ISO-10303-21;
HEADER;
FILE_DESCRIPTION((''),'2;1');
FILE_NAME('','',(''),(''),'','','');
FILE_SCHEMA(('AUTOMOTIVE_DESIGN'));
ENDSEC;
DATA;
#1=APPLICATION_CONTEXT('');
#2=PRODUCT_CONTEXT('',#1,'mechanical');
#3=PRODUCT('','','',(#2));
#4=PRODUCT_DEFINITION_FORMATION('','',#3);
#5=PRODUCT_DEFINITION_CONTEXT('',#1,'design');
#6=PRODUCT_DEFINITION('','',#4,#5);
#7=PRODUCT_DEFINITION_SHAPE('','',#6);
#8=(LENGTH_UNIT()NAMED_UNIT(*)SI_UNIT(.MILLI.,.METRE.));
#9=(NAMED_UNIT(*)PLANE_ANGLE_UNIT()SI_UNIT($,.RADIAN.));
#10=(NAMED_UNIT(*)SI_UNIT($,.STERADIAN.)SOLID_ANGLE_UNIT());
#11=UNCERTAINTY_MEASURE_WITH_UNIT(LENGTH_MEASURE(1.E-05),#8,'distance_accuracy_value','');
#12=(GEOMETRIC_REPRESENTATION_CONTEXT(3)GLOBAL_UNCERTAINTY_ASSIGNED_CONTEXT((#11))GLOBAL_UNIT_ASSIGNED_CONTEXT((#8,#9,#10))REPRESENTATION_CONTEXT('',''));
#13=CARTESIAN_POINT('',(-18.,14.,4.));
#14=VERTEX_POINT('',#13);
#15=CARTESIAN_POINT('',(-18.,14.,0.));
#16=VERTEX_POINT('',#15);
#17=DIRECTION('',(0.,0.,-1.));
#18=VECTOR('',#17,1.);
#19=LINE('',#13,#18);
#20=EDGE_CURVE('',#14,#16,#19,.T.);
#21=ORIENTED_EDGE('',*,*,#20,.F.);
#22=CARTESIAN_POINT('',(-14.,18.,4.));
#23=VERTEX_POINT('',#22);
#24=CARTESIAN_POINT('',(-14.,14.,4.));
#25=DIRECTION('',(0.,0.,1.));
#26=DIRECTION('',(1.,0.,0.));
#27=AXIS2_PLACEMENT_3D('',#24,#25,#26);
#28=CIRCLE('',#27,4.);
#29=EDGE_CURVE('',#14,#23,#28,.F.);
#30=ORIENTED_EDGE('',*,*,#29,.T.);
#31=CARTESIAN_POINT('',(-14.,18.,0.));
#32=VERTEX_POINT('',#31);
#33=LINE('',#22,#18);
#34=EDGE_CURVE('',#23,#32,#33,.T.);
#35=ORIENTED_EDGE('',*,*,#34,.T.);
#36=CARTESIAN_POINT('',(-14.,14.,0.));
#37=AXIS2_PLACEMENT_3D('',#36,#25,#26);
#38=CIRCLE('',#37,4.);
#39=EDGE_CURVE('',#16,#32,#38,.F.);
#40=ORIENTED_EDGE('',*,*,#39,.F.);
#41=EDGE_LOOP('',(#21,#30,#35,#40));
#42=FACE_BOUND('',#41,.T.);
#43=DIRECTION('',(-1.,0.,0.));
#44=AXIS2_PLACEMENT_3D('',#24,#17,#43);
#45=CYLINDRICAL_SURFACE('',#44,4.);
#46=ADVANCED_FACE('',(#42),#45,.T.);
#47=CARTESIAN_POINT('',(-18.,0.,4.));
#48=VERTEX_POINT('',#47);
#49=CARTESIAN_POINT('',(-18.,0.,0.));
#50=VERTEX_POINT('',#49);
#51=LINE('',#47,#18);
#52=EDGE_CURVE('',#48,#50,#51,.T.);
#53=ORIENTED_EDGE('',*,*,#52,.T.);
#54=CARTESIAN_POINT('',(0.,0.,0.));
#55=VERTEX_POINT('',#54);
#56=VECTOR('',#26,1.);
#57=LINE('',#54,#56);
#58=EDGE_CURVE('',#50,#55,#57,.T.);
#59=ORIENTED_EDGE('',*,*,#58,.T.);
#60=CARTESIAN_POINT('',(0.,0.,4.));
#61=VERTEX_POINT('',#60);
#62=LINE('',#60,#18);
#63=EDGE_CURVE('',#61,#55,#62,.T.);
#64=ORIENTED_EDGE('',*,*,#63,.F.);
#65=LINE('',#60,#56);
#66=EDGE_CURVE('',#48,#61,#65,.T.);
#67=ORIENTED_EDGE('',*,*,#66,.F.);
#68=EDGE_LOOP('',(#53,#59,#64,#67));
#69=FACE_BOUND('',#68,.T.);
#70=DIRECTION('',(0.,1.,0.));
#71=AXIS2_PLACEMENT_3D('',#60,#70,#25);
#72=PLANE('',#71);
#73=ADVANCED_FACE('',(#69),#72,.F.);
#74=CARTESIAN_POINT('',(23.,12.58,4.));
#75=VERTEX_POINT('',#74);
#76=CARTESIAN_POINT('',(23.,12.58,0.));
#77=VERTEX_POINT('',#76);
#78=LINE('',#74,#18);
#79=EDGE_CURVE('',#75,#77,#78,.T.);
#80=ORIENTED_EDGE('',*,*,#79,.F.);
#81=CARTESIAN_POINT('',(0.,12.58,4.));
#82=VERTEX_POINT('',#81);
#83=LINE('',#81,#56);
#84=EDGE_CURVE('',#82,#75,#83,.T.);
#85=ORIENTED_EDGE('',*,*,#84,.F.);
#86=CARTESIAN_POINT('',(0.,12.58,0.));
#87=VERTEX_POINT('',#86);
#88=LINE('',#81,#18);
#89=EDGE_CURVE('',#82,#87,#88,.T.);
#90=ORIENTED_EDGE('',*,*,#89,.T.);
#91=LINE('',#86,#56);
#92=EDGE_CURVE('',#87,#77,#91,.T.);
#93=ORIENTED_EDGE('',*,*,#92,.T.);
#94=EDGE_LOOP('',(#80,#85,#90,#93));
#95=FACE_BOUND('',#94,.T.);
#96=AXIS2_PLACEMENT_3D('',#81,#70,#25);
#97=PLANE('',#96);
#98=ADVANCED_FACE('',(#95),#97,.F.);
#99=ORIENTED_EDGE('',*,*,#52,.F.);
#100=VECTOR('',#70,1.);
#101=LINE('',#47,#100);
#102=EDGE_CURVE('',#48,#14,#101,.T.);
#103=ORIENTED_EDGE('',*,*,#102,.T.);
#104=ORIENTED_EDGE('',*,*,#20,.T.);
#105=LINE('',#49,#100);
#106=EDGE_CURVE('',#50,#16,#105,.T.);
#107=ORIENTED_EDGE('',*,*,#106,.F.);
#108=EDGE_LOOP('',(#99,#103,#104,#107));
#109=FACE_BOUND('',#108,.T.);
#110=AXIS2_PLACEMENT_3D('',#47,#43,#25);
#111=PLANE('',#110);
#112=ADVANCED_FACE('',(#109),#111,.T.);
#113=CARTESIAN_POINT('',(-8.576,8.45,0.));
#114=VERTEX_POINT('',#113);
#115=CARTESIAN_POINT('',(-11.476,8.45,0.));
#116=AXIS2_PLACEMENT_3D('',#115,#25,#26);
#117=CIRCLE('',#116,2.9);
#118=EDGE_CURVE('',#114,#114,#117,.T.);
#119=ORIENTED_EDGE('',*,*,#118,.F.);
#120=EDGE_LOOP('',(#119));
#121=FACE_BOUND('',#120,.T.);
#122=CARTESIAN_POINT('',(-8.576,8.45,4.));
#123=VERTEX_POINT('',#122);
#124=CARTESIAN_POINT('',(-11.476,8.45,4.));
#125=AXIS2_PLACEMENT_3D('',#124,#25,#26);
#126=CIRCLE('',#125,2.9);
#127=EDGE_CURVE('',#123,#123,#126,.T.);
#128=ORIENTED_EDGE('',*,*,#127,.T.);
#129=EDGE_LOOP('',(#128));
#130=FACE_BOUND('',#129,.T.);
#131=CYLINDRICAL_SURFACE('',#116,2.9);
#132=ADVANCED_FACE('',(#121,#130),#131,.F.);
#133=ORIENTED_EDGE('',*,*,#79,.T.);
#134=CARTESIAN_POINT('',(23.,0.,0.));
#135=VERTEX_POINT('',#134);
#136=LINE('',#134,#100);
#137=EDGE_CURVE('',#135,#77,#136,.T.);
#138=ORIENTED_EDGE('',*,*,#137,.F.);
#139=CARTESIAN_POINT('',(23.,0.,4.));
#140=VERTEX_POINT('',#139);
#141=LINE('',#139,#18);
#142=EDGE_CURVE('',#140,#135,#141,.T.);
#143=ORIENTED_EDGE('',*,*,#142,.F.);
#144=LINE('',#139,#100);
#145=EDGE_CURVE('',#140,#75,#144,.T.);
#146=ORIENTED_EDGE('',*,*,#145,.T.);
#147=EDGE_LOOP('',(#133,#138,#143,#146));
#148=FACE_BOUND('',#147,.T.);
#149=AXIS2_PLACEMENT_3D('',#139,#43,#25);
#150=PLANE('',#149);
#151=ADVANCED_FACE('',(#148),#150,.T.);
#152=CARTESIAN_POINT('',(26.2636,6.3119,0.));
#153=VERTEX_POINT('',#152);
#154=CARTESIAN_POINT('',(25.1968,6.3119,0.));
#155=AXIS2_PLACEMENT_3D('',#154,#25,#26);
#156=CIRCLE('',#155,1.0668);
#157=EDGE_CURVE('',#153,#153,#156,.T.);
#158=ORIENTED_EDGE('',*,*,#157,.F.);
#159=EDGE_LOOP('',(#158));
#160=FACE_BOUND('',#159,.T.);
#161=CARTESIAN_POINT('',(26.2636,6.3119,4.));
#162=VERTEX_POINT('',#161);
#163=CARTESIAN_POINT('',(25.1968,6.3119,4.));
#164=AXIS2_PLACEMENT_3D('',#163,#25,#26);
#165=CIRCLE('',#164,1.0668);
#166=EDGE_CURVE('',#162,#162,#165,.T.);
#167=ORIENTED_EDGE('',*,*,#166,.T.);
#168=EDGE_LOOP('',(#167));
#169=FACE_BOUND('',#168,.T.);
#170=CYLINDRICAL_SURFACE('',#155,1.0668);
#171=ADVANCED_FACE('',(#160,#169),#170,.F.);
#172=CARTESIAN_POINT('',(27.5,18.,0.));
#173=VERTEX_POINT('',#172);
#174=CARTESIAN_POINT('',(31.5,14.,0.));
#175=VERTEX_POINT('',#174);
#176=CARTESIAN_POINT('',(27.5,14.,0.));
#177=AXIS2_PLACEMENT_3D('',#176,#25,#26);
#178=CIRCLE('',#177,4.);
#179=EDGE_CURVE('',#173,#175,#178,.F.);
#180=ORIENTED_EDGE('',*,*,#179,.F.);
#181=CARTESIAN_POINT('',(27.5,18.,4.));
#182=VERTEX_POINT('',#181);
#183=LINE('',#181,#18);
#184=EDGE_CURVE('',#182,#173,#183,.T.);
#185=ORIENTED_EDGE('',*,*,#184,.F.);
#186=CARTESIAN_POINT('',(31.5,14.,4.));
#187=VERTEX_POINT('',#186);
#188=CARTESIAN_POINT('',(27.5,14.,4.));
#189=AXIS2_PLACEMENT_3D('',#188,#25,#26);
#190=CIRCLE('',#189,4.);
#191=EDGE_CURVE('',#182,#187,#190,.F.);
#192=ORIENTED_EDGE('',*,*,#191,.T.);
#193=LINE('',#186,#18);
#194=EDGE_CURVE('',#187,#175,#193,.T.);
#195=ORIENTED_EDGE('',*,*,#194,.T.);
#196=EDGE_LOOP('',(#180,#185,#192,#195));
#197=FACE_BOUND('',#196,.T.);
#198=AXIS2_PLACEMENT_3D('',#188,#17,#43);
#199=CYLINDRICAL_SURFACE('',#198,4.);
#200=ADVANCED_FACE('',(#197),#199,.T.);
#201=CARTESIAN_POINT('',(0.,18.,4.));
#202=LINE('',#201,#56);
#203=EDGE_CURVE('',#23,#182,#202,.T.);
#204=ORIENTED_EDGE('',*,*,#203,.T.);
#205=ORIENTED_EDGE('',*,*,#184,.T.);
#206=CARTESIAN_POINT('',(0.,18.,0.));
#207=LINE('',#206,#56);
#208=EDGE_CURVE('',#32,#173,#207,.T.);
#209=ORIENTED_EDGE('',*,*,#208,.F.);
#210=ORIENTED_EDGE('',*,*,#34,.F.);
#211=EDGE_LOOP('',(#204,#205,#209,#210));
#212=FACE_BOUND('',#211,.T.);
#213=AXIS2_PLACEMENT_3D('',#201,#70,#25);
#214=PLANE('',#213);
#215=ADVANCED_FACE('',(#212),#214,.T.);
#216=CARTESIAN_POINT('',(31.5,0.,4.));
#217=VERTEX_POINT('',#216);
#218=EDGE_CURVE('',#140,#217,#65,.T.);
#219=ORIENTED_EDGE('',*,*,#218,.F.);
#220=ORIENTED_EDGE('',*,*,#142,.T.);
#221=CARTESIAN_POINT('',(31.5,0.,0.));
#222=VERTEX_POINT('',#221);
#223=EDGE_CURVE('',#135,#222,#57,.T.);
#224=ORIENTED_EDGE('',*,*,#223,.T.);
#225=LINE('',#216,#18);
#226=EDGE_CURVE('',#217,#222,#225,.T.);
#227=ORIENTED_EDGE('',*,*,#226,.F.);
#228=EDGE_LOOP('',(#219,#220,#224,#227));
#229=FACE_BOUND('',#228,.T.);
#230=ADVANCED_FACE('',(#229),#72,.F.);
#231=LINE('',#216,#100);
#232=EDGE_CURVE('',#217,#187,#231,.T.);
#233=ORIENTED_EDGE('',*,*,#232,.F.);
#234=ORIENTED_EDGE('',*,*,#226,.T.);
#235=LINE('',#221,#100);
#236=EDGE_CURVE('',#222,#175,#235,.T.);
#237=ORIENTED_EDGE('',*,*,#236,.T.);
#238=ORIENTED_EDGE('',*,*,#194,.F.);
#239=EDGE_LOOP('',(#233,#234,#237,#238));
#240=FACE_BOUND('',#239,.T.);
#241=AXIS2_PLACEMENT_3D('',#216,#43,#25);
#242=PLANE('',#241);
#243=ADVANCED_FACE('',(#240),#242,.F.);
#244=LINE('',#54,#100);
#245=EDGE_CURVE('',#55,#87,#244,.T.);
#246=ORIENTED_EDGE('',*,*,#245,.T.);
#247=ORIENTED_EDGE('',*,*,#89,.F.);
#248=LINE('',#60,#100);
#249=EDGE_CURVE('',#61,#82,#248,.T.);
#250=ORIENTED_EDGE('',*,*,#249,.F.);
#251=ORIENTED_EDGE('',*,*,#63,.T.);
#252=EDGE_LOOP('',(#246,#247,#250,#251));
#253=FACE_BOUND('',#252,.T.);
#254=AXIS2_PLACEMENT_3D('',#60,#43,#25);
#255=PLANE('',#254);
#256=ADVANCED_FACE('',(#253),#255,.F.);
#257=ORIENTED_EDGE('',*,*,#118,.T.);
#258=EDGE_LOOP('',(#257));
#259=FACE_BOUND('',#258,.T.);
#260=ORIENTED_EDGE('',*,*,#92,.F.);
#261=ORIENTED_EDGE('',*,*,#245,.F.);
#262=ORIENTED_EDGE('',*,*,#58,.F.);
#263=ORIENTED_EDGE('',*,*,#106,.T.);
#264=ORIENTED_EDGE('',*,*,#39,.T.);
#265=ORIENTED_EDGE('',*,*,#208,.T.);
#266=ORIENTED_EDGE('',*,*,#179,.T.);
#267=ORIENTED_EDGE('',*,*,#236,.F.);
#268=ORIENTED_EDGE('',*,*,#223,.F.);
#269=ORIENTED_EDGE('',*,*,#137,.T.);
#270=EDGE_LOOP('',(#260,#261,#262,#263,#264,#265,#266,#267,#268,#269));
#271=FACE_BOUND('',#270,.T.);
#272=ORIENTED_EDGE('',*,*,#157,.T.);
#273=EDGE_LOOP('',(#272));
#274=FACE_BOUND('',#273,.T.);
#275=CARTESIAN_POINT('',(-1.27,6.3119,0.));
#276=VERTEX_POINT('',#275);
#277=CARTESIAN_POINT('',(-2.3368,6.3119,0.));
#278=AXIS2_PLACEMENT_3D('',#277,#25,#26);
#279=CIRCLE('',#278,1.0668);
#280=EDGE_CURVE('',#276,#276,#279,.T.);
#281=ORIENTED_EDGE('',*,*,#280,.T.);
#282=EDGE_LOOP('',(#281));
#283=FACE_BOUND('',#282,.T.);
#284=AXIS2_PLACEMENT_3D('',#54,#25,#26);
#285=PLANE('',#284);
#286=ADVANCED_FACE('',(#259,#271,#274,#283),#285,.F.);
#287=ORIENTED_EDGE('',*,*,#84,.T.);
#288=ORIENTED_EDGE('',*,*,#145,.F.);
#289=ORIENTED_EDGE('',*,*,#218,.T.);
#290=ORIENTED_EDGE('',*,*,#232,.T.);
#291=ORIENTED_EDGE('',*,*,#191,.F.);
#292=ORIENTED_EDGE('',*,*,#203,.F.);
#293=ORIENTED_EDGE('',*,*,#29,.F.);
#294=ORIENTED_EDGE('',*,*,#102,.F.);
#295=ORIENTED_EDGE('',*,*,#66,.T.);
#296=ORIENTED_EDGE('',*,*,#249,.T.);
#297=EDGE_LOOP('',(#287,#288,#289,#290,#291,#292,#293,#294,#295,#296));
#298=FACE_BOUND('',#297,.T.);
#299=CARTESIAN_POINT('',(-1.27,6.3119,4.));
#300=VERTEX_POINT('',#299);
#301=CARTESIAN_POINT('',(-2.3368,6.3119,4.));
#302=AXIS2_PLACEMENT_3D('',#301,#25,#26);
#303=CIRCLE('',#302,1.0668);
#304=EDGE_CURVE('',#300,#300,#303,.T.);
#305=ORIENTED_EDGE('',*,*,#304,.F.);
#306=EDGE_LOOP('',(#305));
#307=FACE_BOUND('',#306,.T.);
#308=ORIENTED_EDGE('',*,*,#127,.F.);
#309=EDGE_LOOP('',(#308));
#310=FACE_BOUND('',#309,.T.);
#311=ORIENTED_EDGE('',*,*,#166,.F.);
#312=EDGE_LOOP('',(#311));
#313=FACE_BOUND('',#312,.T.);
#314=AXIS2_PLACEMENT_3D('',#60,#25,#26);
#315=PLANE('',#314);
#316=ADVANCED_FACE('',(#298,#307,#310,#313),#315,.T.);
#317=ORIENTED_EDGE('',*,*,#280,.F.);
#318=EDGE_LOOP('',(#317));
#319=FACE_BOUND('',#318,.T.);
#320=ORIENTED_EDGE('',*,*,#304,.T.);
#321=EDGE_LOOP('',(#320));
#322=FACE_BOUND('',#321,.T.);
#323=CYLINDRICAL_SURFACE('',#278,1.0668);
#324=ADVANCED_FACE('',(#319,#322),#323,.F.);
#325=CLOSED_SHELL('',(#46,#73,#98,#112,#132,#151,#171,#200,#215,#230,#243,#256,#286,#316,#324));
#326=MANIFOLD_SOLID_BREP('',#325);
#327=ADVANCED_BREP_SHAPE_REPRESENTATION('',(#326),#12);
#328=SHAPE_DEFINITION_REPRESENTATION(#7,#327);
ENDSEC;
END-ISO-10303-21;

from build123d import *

# Parameters (mm, degrees)
BOSS_EXTRUDE1_DEPTH = 4
SKETCH2_R           = 1.0668
SKETCH2_R_2         = 2.9
CUT_EXTRUDE1_DEPTH  = 4


with BuildPart() as part:
    # Sketch1 → Boss-Extrude1 (new body)
    with BuildSketch(Plane.XY):
        with BuildLine():
            Line((-18, 0), (0, 0))
            Line((0, 0), (0, 12.58))
            Line((0, 12.58), (23, 12.58))
            Line((23, 12.58), (23, 0))
            Line((23, 0), (31.5, 0))
            Line((31.5, 0), (31.5, 14))
            ThreePointArc((31.5, 14), (30.328427125, 16.828427125), (27.5, 18))
            Line((27.5, 18), (-14, 18))
            ThreePointArc((-14, 18), (-16.828427125, 16.828427125), (-18, 14))
            Line((-18, 14), (-18, 0))
        make_face()
    extrude(amount=BOSS_EXTRUDE1_DEPTH)

    # Sketch2 → Cut-Extrude1 (cut)
    with BuildSketch(Plane.XY.offset(4)):
        with Locations((25.1968, 6.3119)):
            Circle(SKETCH2_R)
        with Locations((-2.3368, 6.3119)):
            Circle(SKETCH2_R)
        with Locations((-11.476, 8.45)):
            Circle(SKETCH2_R_2)
    extrude(amount=-CUT_EXTRUDE1_DEPTH, mode=Mode.SUBTRACT)


solid = part.part
